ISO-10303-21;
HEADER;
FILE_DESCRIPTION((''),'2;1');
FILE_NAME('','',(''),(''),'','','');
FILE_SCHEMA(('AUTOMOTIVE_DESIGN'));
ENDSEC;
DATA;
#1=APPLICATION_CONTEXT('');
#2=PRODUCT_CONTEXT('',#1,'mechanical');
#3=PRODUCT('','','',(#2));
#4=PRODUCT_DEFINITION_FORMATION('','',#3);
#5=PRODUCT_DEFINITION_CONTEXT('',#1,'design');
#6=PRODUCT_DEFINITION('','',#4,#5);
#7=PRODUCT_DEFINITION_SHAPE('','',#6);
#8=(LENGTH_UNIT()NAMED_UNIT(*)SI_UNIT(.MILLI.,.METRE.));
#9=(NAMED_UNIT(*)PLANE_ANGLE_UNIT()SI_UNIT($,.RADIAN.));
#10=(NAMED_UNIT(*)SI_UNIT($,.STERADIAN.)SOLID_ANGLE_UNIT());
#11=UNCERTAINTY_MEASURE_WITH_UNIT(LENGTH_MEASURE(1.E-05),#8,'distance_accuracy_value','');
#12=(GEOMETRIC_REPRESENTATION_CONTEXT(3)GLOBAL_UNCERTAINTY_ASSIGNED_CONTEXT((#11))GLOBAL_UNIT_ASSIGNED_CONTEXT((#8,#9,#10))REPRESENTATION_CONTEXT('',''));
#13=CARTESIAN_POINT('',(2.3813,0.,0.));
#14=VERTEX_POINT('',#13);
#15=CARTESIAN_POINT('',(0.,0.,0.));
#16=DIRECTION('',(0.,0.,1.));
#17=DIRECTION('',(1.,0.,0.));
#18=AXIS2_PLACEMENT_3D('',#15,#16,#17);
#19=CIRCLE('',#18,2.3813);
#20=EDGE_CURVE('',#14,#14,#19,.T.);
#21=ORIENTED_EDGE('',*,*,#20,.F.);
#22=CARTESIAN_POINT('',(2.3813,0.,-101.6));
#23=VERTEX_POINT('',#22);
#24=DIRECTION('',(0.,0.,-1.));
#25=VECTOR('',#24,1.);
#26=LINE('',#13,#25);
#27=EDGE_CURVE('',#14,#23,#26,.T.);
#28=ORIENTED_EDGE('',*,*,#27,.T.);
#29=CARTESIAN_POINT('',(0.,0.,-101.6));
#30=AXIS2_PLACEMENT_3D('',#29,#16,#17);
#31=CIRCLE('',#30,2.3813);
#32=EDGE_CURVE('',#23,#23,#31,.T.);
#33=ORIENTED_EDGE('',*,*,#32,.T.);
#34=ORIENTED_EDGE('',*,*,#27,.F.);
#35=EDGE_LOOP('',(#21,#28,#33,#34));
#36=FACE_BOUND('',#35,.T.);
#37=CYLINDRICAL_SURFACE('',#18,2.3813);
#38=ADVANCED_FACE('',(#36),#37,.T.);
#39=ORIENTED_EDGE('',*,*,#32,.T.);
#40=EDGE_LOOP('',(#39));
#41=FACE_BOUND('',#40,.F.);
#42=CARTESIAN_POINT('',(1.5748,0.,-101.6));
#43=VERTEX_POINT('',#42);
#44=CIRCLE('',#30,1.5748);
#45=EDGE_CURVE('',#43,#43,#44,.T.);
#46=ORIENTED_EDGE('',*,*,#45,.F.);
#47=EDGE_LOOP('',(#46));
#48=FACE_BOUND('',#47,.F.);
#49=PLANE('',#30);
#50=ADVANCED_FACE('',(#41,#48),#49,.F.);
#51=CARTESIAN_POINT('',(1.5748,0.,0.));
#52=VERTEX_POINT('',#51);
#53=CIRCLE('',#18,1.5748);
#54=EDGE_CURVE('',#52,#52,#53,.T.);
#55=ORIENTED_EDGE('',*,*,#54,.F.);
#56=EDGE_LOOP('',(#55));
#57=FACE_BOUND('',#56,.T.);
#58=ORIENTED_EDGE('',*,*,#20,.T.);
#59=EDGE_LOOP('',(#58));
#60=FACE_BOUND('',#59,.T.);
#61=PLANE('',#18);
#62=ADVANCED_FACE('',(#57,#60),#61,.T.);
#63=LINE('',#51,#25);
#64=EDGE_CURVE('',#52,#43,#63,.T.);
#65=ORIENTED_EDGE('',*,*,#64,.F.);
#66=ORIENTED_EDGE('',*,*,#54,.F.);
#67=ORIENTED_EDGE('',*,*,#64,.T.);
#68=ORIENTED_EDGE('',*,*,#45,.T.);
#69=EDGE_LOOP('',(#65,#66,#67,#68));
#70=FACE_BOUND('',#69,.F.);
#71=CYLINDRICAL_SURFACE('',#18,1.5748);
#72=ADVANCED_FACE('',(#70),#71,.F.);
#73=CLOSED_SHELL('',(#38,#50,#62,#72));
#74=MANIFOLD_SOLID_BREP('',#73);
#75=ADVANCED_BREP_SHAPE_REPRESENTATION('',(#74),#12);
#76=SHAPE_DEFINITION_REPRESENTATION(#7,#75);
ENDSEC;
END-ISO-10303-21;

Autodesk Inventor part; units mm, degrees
ref_plane "YZ Plane" through (0, 0, 0) normal (1, 0, 0) x (0, 1, 0)
ref_plane "XZ Plane" through (0, 0, 0) normal (0, 1, 0) x (-1, 0, 0)
ref_plane "XY Plane" through (0, 0, 0) normal (0, 0, 1) x (1, 0, 0)
sketch "Sketch1" plane through (0, 0, 0) normal (0, 0, 1) x (1, 0, 0)
  circle A0 centre (0, 0) radius 2.3813
  circle A1 centre (0, 0) radius 1.5748
  dimension "d0" = 4.7625
  dimension "d1" = 3.1496
extrude "Extrusion1" add sketch "Sketch1" against normal blind 101.6
properties part number "252805" material "Nylon-6/6"
